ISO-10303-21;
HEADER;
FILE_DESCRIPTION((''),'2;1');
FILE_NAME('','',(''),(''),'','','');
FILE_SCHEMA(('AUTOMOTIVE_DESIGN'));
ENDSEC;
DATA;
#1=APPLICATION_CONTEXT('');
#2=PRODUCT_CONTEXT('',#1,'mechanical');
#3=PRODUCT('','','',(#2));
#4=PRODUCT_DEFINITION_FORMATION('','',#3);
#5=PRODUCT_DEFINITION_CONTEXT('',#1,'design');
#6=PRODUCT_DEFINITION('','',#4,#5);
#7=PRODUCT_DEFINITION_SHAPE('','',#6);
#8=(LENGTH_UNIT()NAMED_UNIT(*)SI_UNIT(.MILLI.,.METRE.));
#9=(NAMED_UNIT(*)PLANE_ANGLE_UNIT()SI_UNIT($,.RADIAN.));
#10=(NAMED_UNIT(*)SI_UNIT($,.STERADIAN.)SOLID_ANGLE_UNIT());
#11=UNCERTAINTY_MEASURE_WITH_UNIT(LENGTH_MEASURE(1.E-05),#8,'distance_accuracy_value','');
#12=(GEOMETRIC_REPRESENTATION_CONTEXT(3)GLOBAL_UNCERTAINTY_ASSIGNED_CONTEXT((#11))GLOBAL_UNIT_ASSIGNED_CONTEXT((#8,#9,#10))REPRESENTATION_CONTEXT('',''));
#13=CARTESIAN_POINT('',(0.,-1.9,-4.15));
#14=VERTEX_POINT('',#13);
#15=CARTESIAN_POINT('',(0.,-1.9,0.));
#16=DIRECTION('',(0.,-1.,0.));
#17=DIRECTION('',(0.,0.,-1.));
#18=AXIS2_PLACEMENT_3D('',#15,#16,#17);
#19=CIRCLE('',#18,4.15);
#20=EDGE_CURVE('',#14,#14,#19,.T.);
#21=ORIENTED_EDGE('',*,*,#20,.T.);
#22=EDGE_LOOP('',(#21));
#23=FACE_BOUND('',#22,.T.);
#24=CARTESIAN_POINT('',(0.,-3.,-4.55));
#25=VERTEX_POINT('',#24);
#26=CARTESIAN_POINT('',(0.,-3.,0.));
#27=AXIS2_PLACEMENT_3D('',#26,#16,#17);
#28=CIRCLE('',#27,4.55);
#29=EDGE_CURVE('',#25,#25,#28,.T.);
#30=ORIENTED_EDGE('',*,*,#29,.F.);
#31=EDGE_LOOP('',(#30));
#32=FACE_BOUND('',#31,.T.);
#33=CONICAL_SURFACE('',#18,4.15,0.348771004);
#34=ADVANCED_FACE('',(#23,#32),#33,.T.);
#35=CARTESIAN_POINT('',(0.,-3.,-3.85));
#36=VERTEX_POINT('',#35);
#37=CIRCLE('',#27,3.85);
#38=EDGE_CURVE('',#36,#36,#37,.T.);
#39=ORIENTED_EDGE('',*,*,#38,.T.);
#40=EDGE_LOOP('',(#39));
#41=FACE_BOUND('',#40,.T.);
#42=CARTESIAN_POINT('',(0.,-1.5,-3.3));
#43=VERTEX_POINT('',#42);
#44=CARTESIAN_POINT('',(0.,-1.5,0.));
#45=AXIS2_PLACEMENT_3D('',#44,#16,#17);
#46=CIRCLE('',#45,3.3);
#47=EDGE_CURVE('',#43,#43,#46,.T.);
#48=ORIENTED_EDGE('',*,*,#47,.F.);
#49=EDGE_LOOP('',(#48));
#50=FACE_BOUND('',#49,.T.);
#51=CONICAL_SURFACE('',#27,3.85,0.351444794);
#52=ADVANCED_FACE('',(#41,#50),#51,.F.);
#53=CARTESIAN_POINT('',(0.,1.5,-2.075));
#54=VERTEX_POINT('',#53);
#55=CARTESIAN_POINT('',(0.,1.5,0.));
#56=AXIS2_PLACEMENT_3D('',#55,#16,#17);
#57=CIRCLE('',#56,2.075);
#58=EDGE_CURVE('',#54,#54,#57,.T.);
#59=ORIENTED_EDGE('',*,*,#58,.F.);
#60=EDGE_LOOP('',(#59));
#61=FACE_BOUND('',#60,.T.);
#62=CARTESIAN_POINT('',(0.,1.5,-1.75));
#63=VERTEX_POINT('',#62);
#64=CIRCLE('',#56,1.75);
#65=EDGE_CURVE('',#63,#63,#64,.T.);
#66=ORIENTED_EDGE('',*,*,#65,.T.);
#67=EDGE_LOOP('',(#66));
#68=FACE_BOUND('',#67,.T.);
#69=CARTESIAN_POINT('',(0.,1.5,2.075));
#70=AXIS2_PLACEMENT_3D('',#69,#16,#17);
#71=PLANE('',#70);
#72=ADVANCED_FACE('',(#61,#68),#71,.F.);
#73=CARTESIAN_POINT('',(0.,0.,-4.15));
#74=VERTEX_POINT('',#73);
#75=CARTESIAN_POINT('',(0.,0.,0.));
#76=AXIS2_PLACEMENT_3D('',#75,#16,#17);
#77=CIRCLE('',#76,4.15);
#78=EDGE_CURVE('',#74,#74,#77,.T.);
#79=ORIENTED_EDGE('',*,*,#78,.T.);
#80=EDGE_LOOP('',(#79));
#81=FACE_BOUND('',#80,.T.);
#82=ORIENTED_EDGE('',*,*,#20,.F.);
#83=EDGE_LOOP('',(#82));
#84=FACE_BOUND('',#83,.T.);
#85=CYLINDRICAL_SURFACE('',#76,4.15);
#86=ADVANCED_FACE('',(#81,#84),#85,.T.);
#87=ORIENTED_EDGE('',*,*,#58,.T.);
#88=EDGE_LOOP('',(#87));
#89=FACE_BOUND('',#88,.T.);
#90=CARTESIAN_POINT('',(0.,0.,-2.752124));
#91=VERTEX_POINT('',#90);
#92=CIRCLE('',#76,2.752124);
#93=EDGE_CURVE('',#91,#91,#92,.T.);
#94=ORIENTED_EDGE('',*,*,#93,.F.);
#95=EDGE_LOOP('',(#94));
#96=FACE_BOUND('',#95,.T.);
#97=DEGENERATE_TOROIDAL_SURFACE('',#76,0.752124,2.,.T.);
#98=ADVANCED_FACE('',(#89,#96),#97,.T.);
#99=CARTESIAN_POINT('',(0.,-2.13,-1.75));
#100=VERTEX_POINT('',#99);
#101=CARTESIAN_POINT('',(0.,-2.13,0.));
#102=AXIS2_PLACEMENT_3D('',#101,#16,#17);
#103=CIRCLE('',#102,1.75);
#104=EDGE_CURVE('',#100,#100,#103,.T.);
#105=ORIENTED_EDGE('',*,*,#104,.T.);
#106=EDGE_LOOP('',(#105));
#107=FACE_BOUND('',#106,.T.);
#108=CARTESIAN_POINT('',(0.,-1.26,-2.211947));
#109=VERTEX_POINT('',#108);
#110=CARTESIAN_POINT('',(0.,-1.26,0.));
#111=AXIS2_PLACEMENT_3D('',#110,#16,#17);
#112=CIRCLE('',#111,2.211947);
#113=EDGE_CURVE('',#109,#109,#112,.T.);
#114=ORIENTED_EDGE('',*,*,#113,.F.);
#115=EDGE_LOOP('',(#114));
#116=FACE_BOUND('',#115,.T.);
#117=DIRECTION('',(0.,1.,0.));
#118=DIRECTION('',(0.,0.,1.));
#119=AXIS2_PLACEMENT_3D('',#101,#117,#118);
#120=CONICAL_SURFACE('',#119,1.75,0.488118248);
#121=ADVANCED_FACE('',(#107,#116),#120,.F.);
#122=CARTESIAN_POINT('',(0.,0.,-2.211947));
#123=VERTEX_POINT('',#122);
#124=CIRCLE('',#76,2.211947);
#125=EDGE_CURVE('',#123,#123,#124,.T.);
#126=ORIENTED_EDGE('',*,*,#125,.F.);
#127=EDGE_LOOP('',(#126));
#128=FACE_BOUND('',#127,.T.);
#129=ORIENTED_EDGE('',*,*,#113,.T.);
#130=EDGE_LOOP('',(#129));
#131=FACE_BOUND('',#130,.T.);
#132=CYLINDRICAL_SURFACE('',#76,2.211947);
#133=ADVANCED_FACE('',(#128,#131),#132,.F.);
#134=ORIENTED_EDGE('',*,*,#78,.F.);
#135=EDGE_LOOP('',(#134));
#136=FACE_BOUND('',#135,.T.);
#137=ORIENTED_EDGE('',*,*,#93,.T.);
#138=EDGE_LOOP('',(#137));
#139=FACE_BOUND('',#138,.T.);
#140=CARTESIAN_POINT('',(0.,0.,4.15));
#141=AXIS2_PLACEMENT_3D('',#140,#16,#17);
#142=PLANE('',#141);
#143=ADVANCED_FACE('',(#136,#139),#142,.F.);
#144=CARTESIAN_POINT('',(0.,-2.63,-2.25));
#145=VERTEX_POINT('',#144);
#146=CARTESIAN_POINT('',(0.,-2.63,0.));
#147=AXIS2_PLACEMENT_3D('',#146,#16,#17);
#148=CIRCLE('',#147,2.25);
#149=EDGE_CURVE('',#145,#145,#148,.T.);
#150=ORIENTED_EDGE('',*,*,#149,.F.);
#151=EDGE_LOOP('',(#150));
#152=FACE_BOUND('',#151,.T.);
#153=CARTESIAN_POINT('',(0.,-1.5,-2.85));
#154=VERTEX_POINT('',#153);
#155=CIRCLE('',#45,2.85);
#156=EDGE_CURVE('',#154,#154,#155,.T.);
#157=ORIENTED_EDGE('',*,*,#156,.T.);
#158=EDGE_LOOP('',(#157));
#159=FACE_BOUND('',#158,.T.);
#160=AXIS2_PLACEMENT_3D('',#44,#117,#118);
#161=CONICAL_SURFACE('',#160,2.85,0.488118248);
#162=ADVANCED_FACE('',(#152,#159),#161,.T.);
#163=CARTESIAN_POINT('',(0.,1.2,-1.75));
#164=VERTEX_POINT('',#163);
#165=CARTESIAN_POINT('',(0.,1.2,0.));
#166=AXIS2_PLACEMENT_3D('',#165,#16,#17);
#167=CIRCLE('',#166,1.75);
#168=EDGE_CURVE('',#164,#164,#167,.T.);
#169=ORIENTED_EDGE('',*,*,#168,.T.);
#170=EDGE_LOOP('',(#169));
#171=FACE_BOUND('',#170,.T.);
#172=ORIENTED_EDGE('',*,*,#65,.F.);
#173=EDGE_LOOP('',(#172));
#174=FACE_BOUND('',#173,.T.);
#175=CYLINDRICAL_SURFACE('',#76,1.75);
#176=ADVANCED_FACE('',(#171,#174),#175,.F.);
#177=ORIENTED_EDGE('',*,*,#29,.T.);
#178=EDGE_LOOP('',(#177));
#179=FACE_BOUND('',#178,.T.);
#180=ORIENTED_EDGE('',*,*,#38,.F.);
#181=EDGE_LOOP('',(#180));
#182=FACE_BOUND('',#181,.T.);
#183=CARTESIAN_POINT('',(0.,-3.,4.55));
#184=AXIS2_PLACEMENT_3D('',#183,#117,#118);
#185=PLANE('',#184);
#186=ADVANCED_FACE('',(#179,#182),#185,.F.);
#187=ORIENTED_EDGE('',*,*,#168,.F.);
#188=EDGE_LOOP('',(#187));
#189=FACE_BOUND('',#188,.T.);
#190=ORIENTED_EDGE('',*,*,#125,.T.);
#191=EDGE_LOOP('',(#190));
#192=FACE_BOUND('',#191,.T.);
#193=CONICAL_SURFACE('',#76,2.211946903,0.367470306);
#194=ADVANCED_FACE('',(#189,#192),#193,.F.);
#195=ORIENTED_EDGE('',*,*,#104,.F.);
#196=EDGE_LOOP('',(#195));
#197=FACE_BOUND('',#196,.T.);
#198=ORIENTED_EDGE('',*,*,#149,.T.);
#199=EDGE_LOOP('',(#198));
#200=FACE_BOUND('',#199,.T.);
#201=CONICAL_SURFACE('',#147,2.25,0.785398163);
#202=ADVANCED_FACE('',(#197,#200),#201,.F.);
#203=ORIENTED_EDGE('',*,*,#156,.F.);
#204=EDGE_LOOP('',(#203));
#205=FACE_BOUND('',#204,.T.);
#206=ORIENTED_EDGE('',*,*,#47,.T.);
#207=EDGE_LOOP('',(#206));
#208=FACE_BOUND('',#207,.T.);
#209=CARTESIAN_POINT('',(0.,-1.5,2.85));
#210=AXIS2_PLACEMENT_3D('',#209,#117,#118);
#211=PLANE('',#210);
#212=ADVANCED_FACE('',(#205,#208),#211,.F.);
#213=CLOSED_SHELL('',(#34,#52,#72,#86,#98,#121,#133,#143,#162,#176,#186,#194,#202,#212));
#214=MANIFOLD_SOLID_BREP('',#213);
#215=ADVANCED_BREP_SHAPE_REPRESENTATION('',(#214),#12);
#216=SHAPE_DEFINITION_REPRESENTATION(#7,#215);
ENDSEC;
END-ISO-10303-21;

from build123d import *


with BuildPart() as part:
    # Sketch2 → Revolve1 (revolve)
    with BuildSketch(Plane(origin=(0, 0, 0), x_dir=(0, 0, -1), z_dir=(1, 0, 0))):
        with BuildLine():
            Line((-4.15, -1.9), (-4.15, 0))
            Line((-4.15, 0), (-2.752124344, 0))
            ThreePointArc((-2.752124344, 0), (-2.575, 0.822875656), (-2.075, 1.5))
            Line((-2.075, 1.5), (-1.75, 1.5))
            Line((-1.75, 1.5), (-1.75, 1.2))
            Line((-1.75, 1.2), (-2.211946903, 0))
            Line((-2.211946903, 0), (-2.211946903, -1.26))
            Line((-2.211946903, -1.26), (-1.75, -2.13))
            Line((-1.75, -2.13), (-2.25, -2.63))
            Line((-2.25, -2.63), (-2.85, -1.5))
            Line((-2.85, -1.5), (-3.3, -1.5))
            Line((-3.3, -1.5), (-3.85, -3))
            Line((-3.85, -3), (-4.55, -3))
            Line((-4.55, -3), (-4.15, -1.9))
        make_face()
    revolve(axis=Axis((0, 0, 0), (0, 1, 0)))


solid = part.part
